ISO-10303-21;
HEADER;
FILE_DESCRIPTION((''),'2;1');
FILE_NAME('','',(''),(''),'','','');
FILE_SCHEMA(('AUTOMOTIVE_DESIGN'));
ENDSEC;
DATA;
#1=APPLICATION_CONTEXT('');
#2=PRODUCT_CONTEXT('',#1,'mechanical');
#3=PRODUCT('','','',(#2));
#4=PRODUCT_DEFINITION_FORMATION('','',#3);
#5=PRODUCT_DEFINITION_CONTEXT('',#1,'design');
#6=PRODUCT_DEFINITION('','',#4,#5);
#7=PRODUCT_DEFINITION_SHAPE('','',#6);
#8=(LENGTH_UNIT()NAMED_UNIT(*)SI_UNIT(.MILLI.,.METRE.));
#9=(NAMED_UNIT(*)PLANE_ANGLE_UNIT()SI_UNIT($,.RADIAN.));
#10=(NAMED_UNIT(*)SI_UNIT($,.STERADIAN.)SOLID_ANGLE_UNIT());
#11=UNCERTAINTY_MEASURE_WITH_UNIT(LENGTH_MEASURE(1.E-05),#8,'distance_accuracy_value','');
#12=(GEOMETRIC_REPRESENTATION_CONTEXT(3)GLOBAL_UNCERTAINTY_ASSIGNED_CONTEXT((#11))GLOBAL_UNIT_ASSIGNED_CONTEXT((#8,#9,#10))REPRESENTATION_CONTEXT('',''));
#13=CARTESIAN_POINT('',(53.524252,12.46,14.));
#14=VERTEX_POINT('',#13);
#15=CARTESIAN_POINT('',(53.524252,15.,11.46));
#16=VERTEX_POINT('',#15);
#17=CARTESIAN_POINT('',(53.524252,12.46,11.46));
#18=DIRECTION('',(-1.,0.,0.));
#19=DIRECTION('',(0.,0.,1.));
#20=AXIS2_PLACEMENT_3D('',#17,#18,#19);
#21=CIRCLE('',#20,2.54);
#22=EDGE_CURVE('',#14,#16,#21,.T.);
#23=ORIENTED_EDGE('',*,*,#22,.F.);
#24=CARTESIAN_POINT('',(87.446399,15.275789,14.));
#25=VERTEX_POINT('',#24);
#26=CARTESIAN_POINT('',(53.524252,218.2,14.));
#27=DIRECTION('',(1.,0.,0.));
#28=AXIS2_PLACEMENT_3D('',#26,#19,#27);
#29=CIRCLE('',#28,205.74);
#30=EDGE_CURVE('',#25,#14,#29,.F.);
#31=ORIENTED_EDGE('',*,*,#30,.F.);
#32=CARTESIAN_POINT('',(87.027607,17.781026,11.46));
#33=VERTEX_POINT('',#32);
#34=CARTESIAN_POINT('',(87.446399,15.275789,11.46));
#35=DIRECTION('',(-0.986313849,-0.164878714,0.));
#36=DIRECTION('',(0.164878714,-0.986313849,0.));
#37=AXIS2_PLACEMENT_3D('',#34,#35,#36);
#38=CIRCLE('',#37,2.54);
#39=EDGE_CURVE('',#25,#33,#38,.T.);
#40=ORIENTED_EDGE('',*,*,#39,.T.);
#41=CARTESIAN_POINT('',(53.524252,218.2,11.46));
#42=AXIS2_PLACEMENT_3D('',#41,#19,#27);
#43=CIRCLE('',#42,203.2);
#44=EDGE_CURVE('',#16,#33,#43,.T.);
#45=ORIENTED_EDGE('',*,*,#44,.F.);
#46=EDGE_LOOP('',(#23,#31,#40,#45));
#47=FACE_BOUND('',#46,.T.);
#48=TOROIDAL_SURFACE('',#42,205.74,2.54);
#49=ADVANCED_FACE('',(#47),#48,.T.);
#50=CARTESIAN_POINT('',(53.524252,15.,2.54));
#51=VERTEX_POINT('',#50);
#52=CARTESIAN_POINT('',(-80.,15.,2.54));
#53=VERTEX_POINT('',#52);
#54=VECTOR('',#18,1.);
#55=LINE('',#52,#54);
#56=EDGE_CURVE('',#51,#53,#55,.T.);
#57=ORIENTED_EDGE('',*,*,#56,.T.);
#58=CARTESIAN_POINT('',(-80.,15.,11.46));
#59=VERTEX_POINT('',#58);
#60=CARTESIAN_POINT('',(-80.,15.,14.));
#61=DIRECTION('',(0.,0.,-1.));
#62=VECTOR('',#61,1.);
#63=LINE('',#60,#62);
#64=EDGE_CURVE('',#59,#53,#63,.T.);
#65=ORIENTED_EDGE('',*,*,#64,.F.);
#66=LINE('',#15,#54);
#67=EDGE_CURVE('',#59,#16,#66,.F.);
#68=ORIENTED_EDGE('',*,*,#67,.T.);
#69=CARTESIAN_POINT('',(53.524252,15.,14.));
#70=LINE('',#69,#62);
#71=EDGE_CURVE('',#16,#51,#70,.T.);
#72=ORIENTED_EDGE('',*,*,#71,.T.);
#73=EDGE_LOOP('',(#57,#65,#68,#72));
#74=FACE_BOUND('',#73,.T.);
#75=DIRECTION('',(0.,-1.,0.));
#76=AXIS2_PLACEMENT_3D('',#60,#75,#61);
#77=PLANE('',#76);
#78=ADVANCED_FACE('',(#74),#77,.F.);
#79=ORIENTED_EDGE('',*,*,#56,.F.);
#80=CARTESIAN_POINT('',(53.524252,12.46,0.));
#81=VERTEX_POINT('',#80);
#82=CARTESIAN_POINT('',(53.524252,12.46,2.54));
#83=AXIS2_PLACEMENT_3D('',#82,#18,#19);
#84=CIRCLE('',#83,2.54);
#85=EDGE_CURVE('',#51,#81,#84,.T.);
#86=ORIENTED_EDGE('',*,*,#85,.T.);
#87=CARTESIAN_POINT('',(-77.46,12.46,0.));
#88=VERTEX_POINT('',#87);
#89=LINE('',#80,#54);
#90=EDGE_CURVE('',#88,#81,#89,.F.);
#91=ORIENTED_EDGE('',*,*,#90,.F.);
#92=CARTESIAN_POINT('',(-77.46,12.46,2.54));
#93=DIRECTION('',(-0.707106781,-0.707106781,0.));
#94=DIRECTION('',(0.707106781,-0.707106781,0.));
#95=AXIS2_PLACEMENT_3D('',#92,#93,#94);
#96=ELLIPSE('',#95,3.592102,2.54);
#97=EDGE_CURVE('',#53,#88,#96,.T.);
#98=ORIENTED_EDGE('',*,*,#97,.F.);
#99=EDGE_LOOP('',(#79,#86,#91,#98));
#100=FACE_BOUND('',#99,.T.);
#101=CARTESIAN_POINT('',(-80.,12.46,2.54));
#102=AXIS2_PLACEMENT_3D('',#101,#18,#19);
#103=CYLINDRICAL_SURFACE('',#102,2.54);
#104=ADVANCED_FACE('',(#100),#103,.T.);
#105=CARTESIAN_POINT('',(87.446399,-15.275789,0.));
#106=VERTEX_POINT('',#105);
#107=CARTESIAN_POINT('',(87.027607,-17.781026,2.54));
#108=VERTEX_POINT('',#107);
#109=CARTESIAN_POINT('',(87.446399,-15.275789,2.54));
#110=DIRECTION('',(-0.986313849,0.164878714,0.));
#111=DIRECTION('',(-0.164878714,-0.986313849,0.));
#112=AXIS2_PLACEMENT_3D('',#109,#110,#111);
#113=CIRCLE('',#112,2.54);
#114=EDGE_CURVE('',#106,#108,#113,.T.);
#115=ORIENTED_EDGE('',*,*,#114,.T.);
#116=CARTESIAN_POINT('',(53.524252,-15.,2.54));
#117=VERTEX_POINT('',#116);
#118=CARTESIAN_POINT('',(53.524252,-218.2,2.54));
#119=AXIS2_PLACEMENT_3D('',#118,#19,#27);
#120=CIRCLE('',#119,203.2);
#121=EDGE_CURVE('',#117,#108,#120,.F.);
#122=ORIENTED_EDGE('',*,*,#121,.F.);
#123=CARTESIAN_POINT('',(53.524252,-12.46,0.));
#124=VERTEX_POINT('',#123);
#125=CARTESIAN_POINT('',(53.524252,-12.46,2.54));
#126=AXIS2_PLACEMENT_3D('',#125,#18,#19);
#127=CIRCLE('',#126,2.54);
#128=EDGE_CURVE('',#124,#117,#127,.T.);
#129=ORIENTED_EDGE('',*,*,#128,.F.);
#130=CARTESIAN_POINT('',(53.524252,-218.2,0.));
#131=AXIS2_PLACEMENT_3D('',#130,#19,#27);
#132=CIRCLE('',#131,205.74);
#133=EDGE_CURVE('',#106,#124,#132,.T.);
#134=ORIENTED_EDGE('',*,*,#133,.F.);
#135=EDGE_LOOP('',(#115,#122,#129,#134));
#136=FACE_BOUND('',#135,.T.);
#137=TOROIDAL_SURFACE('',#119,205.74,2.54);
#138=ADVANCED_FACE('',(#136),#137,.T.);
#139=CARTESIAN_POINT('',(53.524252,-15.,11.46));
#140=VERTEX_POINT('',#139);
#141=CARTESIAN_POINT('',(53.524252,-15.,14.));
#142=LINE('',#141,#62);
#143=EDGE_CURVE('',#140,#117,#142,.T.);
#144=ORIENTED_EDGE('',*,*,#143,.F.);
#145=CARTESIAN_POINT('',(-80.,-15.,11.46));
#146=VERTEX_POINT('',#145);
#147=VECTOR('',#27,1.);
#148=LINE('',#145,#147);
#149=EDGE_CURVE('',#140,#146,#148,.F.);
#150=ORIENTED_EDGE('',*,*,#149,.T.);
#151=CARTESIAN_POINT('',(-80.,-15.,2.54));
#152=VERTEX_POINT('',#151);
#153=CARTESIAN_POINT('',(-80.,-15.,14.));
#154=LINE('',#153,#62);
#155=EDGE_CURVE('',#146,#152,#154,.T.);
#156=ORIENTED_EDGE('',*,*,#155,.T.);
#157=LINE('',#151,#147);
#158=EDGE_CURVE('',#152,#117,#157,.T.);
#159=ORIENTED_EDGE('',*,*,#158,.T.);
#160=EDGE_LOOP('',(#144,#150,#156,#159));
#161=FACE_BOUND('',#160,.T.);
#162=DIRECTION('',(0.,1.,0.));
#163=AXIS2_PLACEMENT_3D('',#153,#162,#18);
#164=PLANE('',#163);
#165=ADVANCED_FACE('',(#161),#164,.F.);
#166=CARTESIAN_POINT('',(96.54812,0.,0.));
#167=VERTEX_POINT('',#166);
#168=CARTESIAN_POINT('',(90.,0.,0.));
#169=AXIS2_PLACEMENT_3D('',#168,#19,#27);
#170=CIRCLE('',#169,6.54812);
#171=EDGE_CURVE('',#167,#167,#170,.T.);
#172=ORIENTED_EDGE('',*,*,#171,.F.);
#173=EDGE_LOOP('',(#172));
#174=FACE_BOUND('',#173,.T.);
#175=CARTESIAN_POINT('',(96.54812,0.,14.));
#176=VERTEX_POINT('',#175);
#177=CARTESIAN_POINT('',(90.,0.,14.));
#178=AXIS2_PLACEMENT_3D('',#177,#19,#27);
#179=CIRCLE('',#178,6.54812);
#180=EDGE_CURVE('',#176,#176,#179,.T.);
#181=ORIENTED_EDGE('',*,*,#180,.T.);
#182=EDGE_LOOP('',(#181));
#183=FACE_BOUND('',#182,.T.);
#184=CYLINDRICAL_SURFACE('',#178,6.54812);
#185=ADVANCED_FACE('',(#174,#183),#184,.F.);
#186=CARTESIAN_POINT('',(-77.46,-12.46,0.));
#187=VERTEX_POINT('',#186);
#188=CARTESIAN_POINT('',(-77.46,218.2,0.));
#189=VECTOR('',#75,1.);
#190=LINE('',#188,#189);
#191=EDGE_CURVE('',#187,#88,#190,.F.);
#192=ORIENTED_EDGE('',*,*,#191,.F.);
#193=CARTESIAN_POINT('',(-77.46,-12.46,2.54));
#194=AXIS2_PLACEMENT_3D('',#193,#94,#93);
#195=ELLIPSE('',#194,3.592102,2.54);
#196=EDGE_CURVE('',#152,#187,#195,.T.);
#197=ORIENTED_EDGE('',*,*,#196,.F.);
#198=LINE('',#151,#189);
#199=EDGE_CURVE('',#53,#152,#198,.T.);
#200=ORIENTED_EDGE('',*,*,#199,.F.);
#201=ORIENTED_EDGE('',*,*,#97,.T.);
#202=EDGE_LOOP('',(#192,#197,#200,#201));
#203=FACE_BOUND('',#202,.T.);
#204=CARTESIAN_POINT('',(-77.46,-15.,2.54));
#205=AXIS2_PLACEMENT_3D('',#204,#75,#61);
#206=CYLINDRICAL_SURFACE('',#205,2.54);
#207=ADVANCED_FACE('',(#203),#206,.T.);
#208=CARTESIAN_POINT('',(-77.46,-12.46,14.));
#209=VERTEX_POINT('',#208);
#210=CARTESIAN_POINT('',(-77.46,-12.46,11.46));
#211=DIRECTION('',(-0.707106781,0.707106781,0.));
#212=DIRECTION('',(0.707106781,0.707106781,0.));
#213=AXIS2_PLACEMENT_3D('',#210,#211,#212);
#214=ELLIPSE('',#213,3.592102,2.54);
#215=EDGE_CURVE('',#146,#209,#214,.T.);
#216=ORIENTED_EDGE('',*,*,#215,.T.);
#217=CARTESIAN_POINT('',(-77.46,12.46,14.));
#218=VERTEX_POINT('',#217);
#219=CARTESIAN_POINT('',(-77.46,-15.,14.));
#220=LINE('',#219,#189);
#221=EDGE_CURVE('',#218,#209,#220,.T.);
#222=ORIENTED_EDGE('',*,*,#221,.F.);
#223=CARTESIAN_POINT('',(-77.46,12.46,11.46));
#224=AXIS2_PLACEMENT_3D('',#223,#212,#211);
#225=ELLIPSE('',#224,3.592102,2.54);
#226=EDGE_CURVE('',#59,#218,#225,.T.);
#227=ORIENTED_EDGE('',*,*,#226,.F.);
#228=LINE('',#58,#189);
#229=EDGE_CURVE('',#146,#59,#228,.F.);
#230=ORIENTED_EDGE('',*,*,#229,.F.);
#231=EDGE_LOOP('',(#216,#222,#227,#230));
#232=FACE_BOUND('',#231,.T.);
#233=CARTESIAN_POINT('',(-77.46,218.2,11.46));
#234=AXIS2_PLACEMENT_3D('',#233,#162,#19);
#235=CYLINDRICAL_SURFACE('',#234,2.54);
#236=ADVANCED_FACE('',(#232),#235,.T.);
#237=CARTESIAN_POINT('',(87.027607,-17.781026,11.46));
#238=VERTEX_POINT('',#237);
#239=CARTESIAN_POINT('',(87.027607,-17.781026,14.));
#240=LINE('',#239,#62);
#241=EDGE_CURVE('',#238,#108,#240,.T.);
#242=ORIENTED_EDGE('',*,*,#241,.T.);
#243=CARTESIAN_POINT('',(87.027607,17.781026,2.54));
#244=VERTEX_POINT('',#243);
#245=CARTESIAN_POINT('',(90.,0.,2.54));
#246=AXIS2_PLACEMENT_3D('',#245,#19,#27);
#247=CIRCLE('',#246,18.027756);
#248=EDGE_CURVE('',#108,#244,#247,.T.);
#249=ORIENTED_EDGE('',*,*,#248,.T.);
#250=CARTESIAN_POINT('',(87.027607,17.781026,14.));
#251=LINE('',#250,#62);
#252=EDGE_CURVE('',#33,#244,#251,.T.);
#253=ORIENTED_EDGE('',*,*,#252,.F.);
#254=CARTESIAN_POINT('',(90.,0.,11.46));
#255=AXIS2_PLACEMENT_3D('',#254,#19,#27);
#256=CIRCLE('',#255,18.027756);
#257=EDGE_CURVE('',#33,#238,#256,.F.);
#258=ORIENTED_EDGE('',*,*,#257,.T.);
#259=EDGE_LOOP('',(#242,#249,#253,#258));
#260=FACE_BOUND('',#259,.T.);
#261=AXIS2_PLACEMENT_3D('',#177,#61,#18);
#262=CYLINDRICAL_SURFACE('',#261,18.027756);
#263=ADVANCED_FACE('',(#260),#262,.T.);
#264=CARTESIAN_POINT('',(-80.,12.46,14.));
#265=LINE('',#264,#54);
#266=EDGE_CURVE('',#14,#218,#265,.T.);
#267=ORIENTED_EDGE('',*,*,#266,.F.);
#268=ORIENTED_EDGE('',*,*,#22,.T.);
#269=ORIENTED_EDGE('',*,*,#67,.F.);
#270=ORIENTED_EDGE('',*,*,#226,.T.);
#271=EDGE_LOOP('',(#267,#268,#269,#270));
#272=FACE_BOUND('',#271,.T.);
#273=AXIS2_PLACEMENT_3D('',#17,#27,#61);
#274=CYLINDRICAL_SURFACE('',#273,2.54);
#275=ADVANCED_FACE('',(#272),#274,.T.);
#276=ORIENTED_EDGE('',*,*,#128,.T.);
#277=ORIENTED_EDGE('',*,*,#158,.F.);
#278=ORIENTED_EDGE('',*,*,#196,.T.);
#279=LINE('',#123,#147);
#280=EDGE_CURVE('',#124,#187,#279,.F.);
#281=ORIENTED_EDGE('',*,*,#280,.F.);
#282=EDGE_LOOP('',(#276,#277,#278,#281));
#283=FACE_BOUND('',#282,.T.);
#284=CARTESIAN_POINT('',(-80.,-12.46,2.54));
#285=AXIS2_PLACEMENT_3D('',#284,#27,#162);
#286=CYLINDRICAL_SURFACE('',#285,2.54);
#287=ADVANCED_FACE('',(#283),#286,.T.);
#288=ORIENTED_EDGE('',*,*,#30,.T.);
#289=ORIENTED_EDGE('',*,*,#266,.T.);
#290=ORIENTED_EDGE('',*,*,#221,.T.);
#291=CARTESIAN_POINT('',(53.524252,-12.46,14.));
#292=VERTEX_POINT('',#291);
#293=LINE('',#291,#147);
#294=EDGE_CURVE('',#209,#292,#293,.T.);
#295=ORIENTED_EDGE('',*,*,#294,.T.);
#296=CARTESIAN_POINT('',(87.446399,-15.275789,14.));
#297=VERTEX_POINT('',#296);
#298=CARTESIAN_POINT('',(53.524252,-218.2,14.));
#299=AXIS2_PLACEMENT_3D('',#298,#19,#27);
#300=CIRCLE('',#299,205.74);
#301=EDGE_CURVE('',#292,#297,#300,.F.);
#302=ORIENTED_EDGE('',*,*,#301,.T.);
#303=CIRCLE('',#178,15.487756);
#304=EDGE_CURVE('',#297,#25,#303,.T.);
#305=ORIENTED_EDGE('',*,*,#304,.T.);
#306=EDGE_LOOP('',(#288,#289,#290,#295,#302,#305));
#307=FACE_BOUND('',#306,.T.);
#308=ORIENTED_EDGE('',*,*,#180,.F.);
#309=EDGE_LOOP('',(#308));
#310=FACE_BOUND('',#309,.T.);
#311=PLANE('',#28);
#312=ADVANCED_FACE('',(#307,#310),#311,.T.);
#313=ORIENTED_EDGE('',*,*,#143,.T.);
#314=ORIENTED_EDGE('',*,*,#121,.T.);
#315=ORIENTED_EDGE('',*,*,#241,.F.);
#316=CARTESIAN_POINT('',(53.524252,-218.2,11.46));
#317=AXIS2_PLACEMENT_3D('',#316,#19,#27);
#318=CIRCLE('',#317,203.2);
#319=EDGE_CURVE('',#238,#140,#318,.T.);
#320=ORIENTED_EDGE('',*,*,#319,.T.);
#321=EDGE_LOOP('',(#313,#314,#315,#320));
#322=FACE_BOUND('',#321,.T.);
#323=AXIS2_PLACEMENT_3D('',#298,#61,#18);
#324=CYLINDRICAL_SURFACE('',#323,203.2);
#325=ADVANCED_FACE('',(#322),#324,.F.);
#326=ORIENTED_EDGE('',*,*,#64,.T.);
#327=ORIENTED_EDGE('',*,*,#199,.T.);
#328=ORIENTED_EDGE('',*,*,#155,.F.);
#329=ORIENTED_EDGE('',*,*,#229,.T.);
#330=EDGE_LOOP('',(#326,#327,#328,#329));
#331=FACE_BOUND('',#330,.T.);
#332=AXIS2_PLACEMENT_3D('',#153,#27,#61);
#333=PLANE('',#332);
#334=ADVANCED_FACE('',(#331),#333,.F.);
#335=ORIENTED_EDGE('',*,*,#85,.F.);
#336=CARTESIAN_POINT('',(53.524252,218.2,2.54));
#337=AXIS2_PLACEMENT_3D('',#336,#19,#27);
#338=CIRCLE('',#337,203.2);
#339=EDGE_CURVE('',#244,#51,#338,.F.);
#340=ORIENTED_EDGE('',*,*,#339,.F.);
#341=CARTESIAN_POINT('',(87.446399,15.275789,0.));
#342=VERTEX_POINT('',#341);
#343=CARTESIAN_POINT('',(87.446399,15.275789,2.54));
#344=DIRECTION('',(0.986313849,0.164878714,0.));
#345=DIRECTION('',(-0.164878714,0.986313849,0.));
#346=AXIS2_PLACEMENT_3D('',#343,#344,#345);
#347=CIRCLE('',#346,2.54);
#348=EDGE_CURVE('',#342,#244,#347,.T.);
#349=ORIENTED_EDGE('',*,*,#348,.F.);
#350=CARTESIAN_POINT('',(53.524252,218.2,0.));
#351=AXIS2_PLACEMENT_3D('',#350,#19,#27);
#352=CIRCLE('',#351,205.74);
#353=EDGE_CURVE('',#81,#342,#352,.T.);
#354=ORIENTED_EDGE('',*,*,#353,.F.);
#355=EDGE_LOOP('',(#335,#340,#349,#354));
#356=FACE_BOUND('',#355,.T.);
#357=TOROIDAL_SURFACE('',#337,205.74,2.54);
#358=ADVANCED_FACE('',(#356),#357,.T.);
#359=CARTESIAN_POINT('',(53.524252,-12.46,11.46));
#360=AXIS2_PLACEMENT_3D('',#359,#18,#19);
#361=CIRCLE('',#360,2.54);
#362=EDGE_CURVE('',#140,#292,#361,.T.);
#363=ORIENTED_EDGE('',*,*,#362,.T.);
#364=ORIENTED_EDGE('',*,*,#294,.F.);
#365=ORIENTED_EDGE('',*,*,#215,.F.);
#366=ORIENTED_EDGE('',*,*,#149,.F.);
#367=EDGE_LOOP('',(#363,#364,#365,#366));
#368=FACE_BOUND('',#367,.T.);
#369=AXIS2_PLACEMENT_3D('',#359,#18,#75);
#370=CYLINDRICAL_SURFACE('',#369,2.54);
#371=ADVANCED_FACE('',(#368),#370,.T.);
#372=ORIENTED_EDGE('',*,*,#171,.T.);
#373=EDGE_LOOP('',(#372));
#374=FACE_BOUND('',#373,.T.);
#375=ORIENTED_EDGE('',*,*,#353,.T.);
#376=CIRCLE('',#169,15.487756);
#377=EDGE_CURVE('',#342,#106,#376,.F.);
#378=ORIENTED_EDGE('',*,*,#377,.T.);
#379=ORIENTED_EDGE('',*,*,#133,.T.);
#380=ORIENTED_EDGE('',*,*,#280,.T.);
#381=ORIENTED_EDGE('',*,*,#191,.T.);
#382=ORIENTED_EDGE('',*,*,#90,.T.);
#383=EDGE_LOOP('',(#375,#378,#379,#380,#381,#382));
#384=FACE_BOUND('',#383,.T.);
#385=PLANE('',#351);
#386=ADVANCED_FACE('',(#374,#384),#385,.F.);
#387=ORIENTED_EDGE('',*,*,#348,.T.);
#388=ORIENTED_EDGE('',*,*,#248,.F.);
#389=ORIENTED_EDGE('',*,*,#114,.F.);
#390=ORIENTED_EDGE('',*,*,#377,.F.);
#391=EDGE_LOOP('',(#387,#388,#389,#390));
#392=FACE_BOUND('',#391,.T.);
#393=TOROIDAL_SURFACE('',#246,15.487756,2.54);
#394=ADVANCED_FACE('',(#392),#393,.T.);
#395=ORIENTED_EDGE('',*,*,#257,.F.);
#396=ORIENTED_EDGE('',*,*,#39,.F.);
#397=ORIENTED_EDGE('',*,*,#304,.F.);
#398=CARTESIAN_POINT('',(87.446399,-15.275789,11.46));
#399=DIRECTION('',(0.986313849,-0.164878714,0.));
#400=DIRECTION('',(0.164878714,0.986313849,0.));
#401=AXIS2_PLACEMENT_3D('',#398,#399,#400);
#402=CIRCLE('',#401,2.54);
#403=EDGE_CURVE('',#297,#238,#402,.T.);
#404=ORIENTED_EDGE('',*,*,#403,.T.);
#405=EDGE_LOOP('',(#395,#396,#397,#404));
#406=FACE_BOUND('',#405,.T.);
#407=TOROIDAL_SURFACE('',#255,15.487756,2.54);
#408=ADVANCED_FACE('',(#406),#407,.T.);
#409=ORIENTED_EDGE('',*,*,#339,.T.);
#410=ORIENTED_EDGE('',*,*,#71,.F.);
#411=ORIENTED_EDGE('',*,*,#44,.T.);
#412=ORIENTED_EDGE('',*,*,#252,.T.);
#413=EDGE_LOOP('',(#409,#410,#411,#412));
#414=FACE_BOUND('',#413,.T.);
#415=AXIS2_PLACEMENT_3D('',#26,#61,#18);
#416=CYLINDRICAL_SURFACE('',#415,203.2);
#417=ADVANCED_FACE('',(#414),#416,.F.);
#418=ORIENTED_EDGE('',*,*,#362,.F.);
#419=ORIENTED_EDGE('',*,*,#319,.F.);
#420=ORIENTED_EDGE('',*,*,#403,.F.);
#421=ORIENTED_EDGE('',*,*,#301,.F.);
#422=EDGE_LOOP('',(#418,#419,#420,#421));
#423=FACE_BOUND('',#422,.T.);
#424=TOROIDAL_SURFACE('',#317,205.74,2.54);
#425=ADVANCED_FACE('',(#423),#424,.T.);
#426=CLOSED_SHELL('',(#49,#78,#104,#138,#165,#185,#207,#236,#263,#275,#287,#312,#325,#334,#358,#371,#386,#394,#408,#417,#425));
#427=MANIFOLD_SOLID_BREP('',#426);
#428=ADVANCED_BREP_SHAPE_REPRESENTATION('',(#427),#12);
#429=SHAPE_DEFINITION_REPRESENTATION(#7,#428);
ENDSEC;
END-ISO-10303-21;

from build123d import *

# Parameters (mm, degrees)
BOSS_EXTRUDE1_DEPTH      = 14
FILLET1_R                = 2.54
FILLET2_R                = 2.54
F_9_16_18_TAPPED_HOLE1_D = 13.09624


with BuildPart() as part:
    # Sketch1 → Boss-Extrude1 (new body)
    with BuildSketch(Plane.XY):
        with BuildLine():
            Line((-80, -15), (53.524252006, -15))
            ThreePointArc((53.524252006, -15), (70.333541706, -15.696449958), (87.02760671, -17.78102579))
            ThreePointArc((87.02760671, -17.78102579), (108.027756377, 0), (87.02760671, 17.78102579))
            ThreePointArc((87.02760671, 17.78102579), (70.333541706, 15.696449958), (53.524252006, 15))
            Line((53.524252006, 15), (-80, 15))
            Line((-80, 15), (-80, -15))
        make_face()
    extrude(amount=BOSS_EXTRUDE1_DEPTH)

    # Fillet1
    fillet1_edges = [part.edges().sort_by_distance(p)[0] for p in [
        (70.333541706, -15.696449958, 14),
        (108.027756377, 0, 14),
        (70.333541706, 15.696449958, 14),
        (-13.237873997, 15, 14),
        (-80, 0, 14),
        (-13.237873997, -15, 14),
    ]]
    fillet(fillet1_edges, radius=FILLET1_R)

    # Fillet2
    fillet2_edges = [part.edges().sort_by_distance(p)[0] for p in [
        (-13.237873997, 15, 0),
        (70.333541706, 15.696449958, 0),
        (108.027756377, 0, 0),
        (70.333541706, -15.696449958, 0),
        (-13.237873997, -15, 0),
        (-80, 0, 0),
    ]]
    fillet(fillet2_edges, radius=FILLET2_R)

    # 9/16-18 Tapped Hole1 (through all)
    with Locations(Plane.XY.offset(14)):
        with Locations((90, 0)):
            Hole(F_9_16_18_TAPPED_HOLE1_D / 2)


solid = part.part
